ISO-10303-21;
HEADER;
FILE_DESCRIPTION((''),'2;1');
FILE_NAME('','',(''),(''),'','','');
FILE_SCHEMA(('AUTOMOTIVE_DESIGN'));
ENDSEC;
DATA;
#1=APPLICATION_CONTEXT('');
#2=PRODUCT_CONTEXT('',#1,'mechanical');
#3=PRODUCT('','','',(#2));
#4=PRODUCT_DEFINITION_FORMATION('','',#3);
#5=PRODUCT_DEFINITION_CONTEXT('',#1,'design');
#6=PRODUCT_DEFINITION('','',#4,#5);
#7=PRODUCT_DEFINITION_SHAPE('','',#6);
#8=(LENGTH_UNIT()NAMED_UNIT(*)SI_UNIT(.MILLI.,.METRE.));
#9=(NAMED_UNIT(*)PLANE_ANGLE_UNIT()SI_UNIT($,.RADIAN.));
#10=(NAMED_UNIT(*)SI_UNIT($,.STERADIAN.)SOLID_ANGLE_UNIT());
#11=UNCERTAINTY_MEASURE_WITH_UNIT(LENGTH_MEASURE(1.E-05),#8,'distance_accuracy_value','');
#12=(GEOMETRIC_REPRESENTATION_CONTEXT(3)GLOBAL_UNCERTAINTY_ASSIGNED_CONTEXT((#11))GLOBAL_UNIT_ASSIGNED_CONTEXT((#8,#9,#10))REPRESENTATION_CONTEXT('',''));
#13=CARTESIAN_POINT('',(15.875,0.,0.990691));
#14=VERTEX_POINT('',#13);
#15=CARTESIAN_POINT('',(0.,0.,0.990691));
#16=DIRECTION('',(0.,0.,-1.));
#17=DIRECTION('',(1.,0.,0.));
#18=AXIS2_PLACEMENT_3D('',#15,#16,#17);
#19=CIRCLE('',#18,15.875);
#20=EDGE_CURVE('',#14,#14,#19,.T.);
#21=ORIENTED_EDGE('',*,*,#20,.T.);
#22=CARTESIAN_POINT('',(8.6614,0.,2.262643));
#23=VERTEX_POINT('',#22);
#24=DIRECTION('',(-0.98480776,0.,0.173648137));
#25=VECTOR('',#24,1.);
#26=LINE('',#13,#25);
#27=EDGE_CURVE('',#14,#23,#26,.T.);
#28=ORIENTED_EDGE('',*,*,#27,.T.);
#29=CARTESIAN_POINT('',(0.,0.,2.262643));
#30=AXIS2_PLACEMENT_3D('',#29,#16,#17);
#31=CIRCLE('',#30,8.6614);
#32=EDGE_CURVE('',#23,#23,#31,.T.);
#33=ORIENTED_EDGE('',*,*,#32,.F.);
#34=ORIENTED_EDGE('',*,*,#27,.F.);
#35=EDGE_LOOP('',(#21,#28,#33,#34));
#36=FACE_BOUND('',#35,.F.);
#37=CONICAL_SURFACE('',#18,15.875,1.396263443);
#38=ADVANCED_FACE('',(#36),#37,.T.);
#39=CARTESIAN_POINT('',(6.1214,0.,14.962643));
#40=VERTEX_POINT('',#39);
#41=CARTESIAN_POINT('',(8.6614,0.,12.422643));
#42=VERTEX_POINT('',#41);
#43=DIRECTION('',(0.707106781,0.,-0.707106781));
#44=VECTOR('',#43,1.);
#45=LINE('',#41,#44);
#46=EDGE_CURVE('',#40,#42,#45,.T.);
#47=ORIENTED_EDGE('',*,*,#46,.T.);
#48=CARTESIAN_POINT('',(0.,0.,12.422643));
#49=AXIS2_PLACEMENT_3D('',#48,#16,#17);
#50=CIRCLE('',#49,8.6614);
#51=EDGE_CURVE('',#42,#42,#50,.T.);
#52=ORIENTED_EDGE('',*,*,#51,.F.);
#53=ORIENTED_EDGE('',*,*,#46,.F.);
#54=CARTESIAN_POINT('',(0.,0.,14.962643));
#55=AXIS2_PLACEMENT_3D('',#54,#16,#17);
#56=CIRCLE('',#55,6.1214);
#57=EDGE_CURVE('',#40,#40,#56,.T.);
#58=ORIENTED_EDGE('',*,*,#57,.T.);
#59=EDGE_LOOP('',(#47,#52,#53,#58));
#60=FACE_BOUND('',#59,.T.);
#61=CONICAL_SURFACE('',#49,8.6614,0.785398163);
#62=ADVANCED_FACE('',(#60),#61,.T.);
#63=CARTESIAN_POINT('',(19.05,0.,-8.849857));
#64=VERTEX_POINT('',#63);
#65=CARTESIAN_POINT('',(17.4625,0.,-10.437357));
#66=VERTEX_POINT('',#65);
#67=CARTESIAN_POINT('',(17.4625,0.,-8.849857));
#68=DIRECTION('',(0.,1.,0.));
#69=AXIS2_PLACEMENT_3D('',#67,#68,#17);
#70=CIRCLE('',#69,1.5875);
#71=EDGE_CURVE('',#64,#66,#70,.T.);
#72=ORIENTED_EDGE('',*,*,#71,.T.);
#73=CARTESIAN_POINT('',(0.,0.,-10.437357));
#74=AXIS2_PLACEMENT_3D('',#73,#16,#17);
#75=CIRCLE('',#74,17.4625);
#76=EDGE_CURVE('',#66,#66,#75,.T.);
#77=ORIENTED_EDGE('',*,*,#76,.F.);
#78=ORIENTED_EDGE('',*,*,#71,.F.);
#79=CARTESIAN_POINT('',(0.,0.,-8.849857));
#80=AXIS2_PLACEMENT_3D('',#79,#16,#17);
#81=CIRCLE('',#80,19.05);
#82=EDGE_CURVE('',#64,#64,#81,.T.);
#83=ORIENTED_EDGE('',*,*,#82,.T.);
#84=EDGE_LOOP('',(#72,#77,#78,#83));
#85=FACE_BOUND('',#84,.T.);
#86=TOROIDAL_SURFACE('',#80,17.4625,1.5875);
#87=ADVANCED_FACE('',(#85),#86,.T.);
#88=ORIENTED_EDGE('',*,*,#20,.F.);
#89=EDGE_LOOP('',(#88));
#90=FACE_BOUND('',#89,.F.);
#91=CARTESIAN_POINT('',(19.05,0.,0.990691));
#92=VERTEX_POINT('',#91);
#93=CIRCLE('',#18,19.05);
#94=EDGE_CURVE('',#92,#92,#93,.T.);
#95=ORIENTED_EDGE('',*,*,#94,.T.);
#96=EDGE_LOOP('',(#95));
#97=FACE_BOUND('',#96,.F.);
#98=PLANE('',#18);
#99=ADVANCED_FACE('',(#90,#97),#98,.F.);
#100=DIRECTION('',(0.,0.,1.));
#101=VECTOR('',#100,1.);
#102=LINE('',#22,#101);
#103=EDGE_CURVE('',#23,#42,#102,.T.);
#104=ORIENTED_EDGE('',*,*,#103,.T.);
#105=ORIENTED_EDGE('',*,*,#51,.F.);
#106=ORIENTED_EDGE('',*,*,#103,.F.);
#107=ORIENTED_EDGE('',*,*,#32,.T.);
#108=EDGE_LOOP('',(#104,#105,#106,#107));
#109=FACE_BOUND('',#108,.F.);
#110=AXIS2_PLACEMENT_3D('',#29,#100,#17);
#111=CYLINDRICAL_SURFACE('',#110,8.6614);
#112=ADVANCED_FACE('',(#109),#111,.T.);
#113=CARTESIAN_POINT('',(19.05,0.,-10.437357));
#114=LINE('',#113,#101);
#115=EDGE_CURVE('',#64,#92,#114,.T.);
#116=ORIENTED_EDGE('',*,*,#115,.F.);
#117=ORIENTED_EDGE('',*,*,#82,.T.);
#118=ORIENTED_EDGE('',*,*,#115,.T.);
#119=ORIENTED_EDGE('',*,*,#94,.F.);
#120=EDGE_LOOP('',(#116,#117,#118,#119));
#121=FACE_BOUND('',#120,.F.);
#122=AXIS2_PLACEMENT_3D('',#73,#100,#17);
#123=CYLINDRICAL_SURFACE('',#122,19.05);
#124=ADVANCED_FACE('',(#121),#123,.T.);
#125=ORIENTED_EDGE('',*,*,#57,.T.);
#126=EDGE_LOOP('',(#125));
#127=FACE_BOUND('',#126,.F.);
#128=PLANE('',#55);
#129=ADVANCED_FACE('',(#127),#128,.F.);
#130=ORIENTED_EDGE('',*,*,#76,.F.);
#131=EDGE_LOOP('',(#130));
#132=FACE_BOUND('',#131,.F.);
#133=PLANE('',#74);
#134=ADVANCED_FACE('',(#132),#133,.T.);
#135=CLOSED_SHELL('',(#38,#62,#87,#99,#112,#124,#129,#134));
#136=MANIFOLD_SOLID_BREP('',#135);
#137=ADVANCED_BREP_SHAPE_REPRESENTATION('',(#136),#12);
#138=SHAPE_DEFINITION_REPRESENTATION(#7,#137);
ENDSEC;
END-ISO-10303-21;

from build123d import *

# Parameters (mm, degrees)
F2_SIZE = 2.54
F3_R    = 1.5875


with BuildPart() as f1:
    # F0 (on Front) → F1 (revolve)
    with BuildSketch(Plane.XZ):
        Polygon((8.6614, 14.962643), (0, 14.962643), (0, -10.437357), (19.05, -10.437357), (19.05, 0.990691), (15.875, 0.990691), (8.6614, 2.262643), align=None)
    revolve(axis=Axis((0, 0, 1.824711), (0, 0, -1)))

    # F2
    f2_edges = [f1.edges().sort_by_distance(p)[0] for p in [
        (-8.6614, 0, 14.962643),
    ]]
    chamfer(f2_edges, length=F2_SIZE)

    # F3
    f3_edges = [f1.edges().sort_by_distance(p)[0] for p in [
        (-19.05, 0, -10.437357),
    ]]
    fillet(f3_edges, radius=F3_R)


solid = f1.part
